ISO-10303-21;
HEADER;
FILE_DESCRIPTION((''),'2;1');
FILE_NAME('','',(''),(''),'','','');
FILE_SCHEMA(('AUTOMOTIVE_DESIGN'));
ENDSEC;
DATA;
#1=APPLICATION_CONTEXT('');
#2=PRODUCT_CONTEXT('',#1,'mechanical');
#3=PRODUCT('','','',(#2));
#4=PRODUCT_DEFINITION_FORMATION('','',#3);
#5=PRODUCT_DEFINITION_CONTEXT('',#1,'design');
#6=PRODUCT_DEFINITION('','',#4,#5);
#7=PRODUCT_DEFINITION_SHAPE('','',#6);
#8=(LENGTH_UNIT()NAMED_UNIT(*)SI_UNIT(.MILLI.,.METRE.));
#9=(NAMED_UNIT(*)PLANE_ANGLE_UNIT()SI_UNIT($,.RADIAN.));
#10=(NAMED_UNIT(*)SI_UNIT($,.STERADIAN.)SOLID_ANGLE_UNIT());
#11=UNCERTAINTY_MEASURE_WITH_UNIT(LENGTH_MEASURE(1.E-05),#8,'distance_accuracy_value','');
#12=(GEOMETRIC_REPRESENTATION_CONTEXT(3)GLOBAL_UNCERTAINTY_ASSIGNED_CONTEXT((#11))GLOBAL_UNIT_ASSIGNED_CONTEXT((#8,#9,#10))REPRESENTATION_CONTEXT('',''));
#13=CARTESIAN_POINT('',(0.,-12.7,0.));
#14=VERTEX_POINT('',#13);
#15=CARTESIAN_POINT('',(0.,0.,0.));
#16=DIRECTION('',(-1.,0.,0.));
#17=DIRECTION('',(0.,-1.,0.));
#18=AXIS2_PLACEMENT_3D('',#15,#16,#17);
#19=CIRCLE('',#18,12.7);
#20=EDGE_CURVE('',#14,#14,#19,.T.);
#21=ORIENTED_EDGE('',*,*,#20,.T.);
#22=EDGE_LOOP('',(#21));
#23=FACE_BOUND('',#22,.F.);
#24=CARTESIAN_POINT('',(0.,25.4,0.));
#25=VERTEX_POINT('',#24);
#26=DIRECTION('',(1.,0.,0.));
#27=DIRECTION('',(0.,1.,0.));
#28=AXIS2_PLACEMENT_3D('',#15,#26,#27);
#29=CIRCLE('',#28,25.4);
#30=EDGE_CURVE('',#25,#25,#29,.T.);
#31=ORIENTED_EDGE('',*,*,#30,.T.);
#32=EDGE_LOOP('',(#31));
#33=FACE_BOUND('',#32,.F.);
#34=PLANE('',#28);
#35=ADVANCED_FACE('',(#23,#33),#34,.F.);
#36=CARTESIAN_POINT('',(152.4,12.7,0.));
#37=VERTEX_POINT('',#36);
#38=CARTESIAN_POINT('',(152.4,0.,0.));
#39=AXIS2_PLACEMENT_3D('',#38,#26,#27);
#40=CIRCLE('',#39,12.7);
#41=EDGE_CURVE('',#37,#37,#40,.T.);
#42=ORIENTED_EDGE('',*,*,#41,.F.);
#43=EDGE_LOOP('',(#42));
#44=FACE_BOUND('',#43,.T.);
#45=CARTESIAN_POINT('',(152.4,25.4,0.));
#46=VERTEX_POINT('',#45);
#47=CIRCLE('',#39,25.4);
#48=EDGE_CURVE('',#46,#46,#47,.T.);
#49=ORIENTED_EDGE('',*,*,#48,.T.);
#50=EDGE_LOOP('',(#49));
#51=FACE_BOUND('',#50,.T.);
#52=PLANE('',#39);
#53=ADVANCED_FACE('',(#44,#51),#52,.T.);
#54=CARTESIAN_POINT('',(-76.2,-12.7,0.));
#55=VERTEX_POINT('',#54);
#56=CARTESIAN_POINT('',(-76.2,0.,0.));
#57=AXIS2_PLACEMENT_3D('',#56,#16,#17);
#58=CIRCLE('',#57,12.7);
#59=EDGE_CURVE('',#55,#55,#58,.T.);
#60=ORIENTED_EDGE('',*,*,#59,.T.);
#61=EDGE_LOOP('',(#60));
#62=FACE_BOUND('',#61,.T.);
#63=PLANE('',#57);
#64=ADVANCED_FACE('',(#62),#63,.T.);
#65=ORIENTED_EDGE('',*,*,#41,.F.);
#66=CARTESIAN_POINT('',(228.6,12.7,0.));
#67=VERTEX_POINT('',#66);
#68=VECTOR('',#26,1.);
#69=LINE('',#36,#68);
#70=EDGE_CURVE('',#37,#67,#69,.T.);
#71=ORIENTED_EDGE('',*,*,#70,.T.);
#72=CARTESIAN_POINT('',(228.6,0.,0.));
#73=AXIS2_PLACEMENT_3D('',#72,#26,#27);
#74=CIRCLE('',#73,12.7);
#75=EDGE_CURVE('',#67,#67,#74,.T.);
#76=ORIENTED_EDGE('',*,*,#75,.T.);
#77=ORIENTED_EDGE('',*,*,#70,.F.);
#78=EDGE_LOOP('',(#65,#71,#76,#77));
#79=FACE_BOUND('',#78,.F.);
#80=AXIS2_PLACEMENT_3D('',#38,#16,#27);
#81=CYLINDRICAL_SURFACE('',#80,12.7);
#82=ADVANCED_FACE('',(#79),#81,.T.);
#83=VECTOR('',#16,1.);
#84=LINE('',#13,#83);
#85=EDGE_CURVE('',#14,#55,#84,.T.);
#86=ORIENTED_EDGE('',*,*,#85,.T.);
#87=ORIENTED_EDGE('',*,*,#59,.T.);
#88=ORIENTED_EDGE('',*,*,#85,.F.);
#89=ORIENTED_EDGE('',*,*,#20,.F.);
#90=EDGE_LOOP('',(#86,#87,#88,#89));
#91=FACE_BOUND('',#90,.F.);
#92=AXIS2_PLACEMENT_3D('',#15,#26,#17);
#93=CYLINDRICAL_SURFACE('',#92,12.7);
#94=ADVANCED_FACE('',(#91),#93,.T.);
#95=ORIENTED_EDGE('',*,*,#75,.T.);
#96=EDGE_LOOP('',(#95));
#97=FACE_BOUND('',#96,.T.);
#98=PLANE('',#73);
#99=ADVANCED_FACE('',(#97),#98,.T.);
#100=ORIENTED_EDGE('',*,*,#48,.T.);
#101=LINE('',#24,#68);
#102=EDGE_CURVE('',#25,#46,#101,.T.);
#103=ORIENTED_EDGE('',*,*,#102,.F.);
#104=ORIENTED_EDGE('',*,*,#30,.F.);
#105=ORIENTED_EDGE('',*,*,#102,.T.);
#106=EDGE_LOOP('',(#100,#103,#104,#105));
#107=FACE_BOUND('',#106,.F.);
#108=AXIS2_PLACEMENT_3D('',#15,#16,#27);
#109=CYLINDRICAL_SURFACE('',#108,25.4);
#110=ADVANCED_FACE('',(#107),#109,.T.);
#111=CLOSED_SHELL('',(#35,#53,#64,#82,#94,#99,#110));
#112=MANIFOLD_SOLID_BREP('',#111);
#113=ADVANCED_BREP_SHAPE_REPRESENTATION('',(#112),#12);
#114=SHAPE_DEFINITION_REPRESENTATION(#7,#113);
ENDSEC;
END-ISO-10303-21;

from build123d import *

# Parameters (mm, degrees)
F0_R     = 25.4
F1_DEPTH = 152.4
F2_R     = 12.7
F3_DEPTH = 76.2
F4_R     = 12.7
F5_DEPTH = 76.2


with BuildPart() as f1:
    # F0 (on Right) → F1 (new body)
    with BuildSketch(Plane.YZ):
        Circle(F0_R)
    extrude(amount=F1_DEPTH)

    # F2 (on face) → F3 (join)
    with BuildSketch(Plane(origin=(0, 0, 0), x_dir=(0, -1, 0), z_dir=(-1, 0, 0))):
        Circle(F2_R)
    extrude(amount=F3_DEPTH)

    # F4 (on face) → F5 (join)
    with BuildSketch(Plane.YZ.offset(152.4)):
        Circle(F4_R)
    extrude(amount=F5_DEPTH)


solid = f1.part
